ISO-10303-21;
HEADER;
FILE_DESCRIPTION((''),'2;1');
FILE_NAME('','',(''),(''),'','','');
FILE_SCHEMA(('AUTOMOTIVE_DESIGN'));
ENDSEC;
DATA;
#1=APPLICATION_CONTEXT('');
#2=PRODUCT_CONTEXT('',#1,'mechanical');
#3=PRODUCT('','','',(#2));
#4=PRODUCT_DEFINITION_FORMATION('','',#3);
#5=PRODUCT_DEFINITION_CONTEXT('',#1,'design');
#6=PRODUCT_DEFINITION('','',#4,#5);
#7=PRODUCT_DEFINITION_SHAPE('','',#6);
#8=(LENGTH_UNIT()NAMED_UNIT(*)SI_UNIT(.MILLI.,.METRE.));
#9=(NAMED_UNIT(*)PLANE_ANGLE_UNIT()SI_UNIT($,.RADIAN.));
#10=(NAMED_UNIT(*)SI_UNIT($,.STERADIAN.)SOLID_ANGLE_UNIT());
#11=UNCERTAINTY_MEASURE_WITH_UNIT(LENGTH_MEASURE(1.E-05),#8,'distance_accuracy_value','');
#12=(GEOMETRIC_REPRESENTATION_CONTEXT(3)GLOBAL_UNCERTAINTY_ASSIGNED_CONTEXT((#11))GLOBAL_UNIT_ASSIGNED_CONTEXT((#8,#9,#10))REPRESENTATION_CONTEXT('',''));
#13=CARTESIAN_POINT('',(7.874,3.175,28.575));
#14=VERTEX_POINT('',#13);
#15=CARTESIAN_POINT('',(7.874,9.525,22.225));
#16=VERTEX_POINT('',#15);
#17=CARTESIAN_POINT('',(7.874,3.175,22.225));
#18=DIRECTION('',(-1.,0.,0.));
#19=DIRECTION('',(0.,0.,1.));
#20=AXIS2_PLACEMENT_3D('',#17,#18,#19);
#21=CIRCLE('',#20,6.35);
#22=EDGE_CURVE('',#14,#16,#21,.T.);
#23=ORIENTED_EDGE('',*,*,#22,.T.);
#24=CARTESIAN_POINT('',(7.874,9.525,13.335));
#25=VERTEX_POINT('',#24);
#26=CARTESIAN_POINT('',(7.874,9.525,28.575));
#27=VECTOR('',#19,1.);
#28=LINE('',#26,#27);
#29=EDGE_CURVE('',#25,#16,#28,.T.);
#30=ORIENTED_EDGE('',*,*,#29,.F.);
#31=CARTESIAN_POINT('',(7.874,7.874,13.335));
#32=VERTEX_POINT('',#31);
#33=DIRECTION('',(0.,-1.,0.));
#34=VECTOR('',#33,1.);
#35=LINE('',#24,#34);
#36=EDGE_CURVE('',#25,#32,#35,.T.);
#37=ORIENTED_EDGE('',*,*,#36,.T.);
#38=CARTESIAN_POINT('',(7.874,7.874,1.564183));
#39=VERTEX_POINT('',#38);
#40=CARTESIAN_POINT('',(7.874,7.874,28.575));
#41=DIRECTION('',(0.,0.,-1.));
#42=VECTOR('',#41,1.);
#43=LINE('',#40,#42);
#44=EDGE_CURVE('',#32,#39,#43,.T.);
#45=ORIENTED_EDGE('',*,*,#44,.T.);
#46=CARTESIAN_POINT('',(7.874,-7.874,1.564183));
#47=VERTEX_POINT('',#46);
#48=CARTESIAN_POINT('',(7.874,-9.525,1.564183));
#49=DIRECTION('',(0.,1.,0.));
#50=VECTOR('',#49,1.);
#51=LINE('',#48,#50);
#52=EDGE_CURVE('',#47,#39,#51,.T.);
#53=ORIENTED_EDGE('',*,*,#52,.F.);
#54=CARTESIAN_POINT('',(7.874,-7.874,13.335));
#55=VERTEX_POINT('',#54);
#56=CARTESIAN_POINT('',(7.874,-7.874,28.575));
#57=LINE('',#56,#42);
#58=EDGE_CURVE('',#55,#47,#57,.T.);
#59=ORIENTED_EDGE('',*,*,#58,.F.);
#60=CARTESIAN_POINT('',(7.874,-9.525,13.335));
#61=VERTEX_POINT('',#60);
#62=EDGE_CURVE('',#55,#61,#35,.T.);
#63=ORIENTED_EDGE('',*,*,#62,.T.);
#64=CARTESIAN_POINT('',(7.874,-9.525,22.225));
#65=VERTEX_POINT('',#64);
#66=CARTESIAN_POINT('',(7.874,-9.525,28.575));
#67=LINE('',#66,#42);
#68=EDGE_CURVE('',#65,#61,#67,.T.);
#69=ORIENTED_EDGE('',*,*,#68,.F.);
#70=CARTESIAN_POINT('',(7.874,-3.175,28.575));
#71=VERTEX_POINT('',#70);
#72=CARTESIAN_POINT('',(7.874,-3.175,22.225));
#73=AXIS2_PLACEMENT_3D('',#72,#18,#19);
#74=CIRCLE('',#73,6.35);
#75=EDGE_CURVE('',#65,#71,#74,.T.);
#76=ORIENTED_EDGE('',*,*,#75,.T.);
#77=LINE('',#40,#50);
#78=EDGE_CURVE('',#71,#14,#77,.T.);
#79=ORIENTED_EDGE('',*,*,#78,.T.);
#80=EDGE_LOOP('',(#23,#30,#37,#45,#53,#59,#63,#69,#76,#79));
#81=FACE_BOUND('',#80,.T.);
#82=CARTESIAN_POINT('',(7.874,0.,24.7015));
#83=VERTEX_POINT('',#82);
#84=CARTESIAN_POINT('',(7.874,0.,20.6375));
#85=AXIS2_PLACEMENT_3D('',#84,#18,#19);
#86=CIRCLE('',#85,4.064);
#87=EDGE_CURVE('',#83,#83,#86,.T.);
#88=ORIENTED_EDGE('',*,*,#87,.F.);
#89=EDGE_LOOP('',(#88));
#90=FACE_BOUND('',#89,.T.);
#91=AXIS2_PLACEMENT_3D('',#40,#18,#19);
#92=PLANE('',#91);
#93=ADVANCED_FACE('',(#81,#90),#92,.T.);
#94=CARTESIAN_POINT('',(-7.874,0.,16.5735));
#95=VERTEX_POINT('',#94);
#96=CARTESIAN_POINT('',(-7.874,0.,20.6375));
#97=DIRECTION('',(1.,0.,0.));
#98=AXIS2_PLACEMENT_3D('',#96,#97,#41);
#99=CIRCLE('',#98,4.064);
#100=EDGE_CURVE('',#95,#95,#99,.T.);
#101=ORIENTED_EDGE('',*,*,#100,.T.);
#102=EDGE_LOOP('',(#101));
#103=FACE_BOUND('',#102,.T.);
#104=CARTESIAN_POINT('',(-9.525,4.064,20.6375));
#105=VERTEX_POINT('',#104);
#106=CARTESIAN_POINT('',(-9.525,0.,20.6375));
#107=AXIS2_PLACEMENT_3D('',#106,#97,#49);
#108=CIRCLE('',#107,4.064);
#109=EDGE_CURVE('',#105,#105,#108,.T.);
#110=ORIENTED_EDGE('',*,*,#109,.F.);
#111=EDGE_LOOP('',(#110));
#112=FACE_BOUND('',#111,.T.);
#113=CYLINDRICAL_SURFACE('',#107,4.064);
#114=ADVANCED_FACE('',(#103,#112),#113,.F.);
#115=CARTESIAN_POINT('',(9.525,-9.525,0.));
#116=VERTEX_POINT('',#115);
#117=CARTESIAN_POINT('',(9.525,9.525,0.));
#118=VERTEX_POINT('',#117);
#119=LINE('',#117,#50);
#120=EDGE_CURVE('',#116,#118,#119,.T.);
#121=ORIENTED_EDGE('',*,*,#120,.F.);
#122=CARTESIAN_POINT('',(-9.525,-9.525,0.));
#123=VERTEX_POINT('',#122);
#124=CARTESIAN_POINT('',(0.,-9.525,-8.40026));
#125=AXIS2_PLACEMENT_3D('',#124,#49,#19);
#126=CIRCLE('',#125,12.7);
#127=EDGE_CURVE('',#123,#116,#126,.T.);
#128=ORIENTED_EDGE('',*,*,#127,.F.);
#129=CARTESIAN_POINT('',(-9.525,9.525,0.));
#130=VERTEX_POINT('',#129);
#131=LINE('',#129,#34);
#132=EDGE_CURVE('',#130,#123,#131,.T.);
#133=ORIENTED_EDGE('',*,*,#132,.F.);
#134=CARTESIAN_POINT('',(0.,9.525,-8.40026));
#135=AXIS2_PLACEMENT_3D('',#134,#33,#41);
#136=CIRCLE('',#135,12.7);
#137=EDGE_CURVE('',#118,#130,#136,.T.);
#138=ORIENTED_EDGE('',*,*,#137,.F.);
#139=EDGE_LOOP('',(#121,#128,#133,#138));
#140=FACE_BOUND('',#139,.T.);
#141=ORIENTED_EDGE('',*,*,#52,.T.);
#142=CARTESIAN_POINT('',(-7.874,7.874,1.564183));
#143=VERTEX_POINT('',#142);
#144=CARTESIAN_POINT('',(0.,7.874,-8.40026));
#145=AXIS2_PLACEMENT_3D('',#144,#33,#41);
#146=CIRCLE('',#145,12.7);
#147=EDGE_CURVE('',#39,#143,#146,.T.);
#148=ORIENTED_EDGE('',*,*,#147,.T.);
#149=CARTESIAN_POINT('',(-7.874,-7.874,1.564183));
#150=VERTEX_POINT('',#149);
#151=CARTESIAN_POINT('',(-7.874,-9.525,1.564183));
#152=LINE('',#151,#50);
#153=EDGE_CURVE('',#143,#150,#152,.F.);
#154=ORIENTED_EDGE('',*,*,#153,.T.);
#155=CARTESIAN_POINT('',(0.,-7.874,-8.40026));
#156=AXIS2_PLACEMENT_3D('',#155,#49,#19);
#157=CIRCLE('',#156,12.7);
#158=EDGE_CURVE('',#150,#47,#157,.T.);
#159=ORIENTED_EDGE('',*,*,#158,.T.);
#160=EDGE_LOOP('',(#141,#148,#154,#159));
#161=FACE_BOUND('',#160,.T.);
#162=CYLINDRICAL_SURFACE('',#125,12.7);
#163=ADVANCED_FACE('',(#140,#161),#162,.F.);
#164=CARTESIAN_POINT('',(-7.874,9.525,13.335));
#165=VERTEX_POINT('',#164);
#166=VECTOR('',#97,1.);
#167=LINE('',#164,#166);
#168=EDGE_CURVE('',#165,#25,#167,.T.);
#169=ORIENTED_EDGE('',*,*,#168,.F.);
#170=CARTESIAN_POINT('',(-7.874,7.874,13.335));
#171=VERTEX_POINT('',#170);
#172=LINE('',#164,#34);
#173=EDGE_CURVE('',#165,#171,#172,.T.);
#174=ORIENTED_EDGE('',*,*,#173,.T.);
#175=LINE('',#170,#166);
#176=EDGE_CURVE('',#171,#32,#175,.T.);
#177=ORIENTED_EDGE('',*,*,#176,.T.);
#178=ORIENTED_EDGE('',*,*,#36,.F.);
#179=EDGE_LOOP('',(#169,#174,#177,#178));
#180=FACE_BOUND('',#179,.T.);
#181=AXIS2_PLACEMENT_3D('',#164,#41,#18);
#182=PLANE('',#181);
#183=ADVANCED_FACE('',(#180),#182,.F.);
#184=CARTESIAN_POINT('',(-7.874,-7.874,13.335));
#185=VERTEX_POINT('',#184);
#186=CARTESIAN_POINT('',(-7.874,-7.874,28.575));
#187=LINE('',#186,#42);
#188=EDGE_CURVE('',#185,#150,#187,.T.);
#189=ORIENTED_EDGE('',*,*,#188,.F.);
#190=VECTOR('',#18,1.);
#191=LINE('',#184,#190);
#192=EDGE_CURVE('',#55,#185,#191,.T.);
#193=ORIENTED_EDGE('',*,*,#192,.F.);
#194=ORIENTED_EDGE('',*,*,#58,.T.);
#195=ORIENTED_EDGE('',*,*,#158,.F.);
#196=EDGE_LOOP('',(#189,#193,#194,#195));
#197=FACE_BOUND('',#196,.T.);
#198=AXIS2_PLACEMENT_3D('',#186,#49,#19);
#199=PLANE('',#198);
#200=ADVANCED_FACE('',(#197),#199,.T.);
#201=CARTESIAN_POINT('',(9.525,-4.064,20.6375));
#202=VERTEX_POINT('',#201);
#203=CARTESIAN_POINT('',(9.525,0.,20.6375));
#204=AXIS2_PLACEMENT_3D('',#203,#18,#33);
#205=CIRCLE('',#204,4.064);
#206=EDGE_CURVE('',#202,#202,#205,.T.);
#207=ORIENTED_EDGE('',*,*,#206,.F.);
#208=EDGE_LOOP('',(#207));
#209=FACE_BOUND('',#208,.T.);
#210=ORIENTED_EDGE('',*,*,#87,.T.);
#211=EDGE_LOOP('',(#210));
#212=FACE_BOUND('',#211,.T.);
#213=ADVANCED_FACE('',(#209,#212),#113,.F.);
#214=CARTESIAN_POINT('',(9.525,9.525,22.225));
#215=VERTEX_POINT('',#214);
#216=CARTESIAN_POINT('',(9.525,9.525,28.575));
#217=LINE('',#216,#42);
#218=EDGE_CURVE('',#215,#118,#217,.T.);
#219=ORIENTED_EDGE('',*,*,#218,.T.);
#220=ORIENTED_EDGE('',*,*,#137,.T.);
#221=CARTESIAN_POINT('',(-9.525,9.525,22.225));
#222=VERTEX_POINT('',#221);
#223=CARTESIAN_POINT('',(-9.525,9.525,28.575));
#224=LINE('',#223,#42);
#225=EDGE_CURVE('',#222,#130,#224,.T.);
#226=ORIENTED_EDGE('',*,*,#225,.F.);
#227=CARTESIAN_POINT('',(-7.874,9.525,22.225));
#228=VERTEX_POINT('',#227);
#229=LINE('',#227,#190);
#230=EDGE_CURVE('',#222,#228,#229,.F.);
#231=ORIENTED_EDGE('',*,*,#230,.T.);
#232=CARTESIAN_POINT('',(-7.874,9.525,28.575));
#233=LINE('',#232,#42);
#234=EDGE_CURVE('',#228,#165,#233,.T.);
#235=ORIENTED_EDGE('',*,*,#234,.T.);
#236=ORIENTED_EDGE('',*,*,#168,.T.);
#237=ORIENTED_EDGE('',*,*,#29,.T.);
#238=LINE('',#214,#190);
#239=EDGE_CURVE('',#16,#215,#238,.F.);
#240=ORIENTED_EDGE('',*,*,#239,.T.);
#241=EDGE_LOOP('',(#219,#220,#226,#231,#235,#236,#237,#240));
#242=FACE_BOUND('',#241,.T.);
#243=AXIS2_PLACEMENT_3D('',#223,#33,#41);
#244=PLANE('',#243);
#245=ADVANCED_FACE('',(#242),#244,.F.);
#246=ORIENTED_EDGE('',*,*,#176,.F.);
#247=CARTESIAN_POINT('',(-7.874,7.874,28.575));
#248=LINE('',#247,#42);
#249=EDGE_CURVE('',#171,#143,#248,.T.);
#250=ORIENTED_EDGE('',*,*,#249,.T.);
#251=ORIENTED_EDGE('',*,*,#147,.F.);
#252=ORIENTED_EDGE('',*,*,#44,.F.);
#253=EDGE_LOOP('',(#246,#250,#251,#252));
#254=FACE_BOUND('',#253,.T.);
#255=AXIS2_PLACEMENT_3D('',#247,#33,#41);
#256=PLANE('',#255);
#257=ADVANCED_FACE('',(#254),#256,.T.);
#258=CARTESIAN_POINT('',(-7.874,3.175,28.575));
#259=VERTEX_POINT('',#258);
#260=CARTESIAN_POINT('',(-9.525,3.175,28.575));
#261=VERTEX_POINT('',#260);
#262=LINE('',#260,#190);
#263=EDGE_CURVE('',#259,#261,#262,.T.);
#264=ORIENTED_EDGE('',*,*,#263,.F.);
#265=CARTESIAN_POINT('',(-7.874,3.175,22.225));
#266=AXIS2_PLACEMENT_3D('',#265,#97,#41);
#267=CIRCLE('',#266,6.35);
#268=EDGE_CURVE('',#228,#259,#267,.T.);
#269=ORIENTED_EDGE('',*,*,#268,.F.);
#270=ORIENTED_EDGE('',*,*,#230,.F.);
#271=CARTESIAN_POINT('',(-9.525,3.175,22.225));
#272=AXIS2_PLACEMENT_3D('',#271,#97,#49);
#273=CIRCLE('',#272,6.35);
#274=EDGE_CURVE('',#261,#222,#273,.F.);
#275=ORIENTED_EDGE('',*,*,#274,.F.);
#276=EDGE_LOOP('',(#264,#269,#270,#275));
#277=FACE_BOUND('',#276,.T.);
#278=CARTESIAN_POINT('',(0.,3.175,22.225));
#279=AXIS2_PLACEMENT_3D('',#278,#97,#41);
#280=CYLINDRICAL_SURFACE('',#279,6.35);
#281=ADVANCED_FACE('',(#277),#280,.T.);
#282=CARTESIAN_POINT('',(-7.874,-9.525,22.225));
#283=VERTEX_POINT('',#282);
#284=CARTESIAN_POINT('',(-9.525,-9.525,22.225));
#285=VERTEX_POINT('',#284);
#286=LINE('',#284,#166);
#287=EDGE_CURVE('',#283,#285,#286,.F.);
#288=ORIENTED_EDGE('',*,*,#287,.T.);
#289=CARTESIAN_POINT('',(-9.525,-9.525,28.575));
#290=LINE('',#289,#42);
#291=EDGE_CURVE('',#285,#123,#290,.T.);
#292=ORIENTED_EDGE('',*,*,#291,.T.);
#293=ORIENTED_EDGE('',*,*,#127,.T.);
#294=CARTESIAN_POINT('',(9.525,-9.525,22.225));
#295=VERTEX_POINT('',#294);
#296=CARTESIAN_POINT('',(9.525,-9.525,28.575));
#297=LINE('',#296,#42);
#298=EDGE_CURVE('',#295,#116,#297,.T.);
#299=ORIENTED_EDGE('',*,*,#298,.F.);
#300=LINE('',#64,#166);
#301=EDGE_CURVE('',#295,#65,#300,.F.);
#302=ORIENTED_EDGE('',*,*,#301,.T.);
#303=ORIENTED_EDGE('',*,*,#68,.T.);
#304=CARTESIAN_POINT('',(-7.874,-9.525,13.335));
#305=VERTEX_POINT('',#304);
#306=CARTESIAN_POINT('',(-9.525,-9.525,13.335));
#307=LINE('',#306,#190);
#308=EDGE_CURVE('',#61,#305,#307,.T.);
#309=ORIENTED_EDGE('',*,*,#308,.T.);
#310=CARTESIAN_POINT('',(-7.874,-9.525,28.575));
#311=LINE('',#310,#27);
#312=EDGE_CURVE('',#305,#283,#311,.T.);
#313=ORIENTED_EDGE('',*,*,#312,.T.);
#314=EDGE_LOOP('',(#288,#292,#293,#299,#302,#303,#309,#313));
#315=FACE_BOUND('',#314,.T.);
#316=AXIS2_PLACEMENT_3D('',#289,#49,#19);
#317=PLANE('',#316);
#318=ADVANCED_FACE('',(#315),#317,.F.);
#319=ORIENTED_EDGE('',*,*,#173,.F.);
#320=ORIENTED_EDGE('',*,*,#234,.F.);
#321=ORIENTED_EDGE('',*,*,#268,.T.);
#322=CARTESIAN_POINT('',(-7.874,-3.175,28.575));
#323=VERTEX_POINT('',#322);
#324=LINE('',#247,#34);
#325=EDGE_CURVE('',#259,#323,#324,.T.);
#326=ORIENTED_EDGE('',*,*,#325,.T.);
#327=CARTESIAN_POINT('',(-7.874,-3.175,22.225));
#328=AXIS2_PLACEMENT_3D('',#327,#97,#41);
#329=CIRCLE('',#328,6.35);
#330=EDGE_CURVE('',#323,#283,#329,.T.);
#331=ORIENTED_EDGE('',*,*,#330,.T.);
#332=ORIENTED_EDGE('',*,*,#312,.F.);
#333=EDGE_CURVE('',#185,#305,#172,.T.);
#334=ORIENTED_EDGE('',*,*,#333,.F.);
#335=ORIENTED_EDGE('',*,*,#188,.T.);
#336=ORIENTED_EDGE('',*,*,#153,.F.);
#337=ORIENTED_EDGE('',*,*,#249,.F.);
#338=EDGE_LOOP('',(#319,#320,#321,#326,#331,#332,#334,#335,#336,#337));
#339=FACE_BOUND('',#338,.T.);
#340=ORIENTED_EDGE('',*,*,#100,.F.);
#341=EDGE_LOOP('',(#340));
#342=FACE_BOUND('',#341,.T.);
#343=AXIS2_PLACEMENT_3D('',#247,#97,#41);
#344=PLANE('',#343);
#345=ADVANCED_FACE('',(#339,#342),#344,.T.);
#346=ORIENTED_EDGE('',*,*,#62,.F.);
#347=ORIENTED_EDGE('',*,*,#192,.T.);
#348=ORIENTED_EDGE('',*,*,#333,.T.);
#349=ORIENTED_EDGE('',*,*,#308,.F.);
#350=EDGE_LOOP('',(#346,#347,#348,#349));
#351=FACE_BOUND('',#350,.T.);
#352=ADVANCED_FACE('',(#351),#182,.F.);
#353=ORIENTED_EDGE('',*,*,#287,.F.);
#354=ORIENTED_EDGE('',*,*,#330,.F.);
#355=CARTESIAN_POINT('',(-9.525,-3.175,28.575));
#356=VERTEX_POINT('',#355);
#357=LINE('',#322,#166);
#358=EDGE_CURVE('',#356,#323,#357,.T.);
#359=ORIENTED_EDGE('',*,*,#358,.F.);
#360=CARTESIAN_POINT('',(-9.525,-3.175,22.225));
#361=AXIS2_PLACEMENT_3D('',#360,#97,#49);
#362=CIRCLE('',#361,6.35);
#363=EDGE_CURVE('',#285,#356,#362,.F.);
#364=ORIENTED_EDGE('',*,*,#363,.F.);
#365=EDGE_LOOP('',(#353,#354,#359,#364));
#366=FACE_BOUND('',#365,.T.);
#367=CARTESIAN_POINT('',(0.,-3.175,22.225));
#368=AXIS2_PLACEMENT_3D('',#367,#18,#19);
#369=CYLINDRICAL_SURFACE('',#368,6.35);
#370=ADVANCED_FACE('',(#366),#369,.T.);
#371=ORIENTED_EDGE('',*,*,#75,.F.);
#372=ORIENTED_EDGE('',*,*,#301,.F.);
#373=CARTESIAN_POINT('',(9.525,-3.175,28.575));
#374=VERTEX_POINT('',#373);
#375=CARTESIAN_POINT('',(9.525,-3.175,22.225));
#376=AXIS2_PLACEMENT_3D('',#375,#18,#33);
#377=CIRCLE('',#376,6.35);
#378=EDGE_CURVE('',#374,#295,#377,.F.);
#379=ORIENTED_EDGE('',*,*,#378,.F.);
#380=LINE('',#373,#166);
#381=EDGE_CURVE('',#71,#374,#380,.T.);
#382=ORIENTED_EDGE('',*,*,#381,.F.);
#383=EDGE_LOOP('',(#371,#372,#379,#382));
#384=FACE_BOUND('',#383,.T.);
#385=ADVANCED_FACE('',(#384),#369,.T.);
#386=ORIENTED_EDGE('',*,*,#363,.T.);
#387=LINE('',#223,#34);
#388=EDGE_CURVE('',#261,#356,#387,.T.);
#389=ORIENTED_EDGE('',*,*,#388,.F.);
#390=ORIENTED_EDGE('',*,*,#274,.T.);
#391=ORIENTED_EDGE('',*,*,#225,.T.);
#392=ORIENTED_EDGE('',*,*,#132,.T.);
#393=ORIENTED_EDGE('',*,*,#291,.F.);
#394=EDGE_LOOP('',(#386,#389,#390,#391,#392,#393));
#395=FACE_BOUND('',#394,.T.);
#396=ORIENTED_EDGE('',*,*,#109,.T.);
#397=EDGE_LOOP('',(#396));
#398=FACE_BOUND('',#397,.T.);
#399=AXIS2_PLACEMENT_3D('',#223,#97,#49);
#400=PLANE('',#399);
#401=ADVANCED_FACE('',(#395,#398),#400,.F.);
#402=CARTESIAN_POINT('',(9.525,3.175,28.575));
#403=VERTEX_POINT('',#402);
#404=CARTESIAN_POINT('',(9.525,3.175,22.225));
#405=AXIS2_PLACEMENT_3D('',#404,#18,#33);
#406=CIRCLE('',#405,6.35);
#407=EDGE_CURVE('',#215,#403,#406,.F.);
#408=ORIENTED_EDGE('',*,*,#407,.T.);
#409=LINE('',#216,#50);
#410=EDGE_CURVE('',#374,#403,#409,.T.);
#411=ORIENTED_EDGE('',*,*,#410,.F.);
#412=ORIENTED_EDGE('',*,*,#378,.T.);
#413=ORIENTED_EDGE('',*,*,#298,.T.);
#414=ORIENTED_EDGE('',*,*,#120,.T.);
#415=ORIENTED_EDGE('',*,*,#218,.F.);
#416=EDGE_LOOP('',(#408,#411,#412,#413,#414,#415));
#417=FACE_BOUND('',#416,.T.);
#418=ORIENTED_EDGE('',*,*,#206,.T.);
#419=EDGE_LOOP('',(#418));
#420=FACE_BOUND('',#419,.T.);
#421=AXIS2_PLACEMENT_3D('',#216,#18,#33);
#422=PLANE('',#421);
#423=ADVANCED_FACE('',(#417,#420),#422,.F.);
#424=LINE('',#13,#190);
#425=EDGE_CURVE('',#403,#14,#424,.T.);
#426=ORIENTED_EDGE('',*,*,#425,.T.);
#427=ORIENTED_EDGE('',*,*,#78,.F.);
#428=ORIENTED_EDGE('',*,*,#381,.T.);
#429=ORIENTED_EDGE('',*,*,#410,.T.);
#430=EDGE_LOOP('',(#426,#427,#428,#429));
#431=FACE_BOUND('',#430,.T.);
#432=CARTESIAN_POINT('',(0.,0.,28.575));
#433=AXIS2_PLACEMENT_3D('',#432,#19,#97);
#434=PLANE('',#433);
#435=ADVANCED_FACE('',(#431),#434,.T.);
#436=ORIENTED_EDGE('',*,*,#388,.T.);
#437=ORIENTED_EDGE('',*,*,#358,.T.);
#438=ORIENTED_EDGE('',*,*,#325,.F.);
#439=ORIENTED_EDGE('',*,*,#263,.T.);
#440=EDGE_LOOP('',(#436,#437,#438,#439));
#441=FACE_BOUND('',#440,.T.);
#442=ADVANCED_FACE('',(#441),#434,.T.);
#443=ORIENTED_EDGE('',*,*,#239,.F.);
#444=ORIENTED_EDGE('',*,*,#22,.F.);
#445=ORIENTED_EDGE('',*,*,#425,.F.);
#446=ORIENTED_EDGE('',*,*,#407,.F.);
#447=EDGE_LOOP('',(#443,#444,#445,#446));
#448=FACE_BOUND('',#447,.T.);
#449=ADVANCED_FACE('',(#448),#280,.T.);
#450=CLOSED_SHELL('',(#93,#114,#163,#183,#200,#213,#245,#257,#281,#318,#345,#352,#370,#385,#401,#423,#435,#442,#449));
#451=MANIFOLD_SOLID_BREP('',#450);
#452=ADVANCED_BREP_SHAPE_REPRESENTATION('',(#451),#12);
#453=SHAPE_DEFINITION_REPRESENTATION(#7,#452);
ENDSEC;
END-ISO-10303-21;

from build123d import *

# Parameters (mm, degrees)
SKETCH1_W               = 19.05
SKETCH1_H               = 19.05
SKETCH1_W_2             = 15.748
SKETCH1_H_2             = 15.748
BOSS_EXTRUDE1_DEPTH     = 28.575
CUT_EXTRUDE5_DEPTH      = 36.639286609
CUT_EXTRUDE5_DEPTH_BACK = 36.639286609
SKETCH5_R               = 12.7
CUT_EXTRUDE2_DEPTH      = 36.639286609
CUT_EXTRUDE2_DEPTH_BACK = 36.639286609
SKETCH3_R               = 4.064
CUT_EXTRUDE4_DEPTH      = 36.639286609
CUT_EXTRUDE4_DEPTH_BACK = 36.639286609
SKETCH4_W               = 15.748
SKETCH4_H               = 15.24
FILLET2_R               = 6.35


with BuildPart() as part:
    # Sketch1 → Boss-Extrude1 (new body)
    with BuildSketch(Plane.XY):
        Rectangle(SKETCH1_W, SKETCH1_H)
        Rectangle(SKETCH1_W_2, SKETCH1_H_2, mode=Mode.SUBTRACT)
    extrude(amount=BOSS_EXTRUDE1_DEPTH)

    # Sketch5 → Cut-Extrude5 (cut, two sides: drawn at the far end of the back side and taken through both)
    with BuildSketch(Plane(origin=(0, 9.525, 0), x_dir=(1, 0, 0), z_dir=(0, 1, 0)).offset(-CUT_EXTRUDE5_DEPTH_BACK)):
        with Locations((0, 8.400260413)):
            Circle(SKETCH5_R)
    extrude(amount=CUT_EXTRUDE5_DEPTH + CUT_EXTRUDE5_DEPTH_BACK, mode=Mode.SUBTRACT)

    # Sketch3 → Cut-Extrude2 (cut, two sides: drawn at the far end of the back side and taken through both)
    with BuildSketch(Plane(origin=(9.525, 0, 0), x_dir=(0, 0, -1), z_dir=(1, 0, 0)).offset(-CUT_EXTRUDE2_DEPTH_BACK)):
        with Locations((-20.6375, 0)):
            Circle(SKETCH3_R)
    extrude(amount=CUT_EXTRUDE2_DEPTH + CUT_EXTRUDE2_DEPTH_BACK, mode=Mode.SUBTRACT)

    # Sketch4 → Cut-Extrude4 (cut, two sides: drawn at the far end of the back side and taken through both)
    with BuildSketch(Plane.XZ.offset(9.525).offset(-CUT_EXTRUDE4_DEPTH_BACK)):
        with Locations((0, 20.955)):
            Rectangle(SKETCH4_W, SKETCH4_H)
    extrude(amount=CUT_EXTRUDE4_DEPTH + CUT_EXTRUDE4_DEPTH_BACK, mode=Mode.SUBTRACT)

    # Fillet2
    fillet2_edges = [part.edges().sort_by_distance(p)[0] for p in [
        (-8.6995, 9.525, 28.575),
        (8.6995, 9.525, 28.575),
        (-8.6995, -9.525, 28.575),
        (8.6995, -9.525, 28.575),
    ]]
    fillet(fillet2_edges, radius=FILLET2_R)


solid = part.part
